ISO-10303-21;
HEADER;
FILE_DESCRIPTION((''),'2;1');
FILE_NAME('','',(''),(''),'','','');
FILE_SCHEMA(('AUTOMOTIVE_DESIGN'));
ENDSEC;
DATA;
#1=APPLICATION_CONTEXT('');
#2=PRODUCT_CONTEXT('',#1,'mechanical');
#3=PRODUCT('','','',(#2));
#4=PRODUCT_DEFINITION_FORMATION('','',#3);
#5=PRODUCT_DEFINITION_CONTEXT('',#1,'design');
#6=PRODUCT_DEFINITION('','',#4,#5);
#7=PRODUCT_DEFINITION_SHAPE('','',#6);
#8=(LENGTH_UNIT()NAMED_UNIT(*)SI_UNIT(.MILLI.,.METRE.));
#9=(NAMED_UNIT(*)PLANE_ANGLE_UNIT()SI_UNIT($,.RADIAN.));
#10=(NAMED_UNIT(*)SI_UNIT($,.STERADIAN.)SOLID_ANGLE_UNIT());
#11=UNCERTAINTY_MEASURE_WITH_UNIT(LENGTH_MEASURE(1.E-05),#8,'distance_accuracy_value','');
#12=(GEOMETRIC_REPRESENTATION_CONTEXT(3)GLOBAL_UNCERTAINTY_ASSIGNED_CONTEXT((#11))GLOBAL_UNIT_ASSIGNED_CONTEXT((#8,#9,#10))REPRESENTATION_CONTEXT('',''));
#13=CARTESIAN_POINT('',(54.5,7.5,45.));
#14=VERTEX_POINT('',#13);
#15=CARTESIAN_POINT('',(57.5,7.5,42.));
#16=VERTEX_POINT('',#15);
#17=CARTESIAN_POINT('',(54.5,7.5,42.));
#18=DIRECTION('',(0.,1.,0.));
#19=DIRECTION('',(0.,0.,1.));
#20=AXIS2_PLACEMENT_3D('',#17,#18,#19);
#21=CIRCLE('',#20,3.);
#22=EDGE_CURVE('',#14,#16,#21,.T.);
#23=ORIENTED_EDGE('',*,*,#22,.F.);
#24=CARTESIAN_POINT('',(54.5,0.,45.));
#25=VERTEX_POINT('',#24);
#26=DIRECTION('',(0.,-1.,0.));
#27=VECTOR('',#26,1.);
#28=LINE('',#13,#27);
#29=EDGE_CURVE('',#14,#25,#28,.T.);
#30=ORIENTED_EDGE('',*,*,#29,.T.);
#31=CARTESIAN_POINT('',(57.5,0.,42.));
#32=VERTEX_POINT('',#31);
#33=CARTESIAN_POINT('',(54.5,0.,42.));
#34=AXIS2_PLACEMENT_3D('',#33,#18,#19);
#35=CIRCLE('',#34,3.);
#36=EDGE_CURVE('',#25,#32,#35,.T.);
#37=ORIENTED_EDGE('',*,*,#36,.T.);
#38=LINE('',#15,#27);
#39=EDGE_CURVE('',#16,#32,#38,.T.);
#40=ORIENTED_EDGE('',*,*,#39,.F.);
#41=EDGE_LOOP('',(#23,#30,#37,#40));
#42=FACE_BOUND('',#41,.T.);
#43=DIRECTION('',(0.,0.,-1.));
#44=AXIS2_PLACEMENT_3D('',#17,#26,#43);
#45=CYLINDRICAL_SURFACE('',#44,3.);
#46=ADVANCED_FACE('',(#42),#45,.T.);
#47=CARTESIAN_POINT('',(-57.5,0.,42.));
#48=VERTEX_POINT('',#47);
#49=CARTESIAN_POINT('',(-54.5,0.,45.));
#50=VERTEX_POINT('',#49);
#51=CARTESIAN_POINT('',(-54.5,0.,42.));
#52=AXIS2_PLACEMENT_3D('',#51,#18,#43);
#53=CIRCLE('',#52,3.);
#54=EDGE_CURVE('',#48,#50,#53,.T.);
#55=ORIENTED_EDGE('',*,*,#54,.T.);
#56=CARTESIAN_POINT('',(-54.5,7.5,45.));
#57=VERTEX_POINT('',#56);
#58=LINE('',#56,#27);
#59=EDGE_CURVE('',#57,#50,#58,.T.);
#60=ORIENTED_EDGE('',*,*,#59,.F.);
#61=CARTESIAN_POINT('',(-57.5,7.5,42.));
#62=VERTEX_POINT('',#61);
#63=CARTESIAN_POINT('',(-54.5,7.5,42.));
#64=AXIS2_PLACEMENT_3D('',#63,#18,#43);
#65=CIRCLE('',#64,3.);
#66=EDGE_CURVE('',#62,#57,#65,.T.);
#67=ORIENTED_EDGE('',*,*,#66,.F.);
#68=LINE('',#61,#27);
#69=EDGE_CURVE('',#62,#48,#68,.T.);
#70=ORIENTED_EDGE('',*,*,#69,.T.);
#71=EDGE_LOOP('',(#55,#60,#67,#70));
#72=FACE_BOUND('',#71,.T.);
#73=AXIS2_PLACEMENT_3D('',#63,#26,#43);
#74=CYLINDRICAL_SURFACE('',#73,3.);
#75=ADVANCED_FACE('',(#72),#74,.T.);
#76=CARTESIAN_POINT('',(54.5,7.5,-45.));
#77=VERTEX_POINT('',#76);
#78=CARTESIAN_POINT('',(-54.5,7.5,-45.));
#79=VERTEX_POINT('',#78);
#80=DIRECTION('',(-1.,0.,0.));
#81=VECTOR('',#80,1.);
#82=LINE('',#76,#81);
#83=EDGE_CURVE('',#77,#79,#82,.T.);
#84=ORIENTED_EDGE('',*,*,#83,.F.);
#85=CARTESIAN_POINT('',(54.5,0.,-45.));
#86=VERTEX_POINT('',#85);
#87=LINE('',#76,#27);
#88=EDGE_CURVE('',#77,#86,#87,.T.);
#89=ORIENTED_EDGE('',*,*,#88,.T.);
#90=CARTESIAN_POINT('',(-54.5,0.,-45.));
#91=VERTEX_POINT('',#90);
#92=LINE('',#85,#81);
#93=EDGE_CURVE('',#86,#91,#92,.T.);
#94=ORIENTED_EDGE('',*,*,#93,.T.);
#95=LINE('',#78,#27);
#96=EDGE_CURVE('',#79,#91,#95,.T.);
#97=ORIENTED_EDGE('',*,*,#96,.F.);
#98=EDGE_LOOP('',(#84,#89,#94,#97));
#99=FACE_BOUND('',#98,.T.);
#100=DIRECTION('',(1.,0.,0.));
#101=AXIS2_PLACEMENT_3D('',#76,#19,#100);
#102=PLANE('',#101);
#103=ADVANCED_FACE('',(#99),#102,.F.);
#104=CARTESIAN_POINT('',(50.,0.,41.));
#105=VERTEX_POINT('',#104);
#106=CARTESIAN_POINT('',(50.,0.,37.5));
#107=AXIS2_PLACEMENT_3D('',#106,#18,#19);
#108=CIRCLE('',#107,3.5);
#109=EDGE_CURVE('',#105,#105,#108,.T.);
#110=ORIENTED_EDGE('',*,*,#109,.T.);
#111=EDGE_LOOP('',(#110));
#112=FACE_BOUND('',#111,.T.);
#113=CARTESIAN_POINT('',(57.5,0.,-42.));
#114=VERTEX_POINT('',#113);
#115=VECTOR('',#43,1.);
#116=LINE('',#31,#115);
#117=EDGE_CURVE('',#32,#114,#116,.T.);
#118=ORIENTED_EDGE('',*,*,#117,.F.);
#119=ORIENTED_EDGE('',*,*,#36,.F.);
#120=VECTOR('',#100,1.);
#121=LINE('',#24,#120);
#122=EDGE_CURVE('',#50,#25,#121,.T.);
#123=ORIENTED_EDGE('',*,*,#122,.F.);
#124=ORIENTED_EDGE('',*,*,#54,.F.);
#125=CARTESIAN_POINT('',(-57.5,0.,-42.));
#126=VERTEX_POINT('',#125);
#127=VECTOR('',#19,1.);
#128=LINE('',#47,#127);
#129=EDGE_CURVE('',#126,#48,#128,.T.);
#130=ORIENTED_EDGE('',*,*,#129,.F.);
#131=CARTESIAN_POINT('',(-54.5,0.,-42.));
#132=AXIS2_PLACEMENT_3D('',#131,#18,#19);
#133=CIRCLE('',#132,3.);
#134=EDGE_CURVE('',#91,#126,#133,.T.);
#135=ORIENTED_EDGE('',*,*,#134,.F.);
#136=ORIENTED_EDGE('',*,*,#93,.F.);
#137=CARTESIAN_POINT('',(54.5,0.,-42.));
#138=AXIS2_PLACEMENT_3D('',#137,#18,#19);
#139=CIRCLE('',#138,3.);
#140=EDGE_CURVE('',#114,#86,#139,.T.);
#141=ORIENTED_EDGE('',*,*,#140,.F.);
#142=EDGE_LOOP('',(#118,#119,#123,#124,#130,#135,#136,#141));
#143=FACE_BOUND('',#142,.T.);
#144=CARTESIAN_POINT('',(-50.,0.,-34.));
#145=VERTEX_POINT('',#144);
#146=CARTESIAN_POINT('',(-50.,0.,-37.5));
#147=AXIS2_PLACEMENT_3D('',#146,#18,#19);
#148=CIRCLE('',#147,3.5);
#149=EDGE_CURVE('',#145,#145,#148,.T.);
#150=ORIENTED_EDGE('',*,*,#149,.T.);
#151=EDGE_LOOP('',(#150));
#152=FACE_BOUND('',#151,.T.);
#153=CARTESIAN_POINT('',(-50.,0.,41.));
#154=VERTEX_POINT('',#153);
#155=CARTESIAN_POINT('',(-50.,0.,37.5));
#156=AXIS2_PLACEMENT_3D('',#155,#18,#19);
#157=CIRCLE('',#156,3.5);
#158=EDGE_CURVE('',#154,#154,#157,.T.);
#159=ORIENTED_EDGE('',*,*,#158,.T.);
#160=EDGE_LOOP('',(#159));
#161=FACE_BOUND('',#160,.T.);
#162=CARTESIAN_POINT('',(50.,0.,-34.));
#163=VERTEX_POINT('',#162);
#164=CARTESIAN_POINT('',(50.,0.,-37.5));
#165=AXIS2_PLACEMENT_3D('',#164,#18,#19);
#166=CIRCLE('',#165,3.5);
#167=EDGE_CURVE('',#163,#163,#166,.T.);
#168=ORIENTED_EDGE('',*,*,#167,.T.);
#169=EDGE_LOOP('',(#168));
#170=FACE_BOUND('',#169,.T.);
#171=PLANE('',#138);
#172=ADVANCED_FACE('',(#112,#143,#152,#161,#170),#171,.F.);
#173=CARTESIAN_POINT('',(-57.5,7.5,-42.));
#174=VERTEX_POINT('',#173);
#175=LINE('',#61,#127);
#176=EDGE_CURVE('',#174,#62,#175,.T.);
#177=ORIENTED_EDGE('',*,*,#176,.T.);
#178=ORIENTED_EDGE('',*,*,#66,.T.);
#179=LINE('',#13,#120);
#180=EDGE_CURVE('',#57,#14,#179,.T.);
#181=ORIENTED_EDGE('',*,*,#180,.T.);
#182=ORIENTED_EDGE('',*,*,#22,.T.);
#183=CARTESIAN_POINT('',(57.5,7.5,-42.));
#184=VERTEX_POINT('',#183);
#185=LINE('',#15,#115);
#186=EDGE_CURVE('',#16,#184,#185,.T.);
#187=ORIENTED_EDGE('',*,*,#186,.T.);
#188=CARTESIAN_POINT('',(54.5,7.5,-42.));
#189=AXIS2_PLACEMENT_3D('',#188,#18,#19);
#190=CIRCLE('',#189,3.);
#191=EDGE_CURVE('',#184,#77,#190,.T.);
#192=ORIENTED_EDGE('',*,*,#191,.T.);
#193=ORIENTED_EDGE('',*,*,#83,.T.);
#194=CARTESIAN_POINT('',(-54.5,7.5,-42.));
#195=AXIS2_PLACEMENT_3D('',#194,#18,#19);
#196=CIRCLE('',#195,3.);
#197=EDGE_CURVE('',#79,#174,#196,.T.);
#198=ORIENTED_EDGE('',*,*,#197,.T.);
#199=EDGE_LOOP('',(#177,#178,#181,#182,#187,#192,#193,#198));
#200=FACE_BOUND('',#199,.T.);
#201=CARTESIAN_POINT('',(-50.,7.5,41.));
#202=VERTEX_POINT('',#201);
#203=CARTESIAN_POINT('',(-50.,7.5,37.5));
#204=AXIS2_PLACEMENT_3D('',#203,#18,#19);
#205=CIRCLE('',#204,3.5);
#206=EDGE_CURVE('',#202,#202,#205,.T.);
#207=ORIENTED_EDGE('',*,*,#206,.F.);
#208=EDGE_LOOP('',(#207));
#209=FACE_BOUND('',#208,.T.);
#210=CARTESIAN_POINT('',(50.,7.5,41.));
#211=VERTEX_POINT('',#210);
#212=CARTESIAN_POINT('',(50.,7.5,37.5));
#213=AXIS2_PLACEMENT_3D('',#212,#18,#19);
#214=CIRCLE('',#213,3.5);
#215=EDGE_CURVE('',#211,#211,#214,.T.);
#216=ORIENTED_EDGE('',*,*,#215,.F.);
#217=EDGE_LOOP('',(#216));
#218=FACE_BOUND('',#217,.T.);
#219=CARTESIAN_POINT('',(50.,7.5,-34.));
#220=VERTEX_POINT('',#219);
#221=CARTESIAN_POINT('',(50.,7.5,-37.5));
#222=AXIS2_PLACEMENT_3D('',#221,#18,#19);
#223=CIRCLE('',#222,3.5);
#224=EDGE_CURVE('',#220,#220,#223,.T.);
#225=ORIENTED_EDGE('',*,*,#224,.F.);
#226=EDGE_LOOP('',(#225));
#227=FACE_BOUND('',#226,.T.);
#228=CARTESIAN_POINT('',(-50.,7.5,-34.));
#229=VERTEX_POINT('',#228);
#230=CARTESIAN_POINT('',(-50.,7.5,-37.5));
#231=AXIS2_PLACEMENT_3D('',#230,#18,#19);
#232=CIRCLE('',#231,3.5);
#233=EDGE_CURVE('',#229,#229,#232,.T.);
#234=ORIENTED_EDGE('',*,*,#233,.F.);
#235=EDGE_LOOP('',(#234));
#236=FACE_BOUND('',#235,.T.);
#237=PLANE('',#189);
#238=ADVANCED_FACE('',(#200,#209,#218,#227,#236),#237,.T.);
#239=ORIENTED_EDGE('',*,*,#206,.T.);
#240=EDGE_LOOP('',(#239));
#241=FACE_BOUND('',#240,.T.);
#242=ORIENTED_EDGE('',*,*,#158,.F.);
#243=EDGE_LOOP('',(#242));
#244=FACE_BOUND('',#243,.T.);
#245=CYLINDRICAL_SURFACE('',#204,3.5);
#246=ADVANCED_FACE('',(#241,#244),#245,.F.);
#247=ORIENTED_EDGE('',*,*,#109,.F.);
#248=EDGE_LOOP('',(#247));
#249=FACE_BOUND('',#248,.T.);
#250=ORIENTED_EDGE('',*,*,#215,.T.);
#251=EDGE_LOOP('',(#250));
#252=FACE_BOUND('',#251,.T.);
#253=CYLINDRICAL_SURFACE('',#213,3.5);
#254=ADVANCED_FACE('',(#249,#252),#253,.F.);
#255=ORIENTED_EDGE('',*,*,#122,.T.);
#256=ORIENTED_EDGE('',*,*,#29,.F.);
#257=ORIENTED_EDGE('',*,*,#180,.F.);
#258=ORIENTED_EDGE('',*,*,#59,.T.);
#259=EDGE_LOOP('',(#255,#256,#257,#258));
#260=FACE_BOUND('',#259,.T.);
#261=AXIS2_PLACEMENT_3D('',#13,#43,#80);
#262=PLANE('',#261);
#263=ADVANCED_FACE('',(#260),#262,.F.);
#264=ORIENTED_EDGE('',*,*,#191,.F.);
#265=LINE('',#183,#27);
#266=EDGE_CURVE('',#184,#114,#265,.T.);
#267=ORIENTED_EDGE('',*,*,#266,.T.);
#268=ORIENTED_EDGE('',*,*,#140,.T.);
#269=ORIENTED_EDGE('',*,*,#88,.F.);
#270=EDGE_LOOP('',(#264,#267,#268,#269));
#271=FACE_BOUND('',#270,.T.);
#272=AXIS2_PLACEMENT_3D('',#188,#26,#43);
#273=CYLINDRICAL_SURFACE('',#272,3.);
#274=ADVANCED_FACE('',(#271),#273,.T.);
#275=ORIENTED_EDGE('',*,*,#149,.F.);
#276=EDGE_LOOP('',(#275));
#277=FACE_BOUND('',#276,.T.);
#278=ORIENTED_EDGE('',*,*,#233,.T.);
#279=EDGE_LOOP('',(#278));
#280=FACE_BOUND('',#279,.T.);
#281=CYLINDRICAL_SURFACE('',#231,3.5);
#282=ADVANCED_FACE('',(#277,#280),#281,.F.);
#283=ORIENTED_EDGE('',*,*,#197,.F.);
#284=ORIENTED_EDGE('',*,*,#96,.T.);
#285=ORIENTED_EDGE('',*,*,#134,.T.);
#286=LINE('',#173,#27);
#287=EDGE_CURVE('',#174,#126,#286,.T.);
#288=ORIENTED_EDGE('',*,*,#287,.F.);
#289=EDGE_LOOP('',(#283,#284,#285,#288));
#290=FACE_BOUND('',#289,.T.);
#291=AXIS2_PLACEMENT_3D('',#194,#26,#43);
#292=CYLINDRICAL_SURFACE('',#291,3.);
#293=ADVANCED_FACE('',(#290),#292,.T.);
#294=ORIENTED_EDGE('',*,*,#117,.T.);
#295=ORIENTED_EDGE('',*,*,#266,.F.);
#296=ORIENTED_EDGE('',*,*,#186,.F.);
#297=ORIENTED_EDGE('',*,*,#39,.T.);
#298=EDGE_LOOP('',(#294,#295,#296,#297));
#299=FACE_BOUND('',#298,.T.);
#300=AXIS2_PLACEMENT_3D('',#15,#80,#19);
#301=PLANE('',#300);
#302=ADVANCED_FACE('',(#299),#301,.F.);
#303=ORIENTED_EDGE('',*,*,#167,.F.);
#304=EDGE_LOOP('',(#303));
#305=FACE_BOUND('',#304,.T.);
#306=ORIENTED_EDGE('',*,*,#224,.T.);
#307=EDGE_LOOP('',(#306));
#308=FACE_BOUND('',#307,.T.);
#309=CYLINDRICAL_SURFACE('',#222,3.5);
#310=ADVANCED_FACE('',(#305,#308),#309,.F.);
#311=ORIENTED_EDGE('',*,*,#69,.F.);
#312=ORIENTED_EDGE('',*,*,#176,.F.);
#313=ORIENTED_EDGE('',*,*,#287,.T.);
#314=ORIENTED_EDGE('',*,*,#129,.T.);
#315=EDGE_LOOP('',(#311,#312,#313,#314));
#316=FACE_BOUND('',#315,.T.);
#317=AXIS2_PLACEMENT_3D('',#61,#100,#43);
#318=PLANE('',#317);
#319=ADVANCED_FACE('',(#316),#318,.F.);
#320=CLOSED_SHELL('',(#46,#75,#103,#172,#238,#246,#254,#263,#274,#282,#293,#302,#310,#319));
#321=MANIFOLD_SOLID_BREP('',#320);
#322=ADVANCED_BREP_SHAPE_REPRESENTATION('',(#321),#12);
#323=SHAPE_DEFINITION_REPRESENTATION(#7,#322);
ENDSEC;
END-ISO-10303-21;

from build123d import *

# Parameters (mm, degrees)
BOSS_EXTRUDE1_DEPTH  = 7.5
M6_CLEARANCE_HOLE1_D = 7


with BuildPart() as part:
    # Sketch1 → Boss-Extrude1 (new body)
    with BuildSketch(Plane(origin=(0, 0, 0), x_dir=(1, 0, 0), z_dir=(0, 1, 0))):
        with BuildLine():
            Line((54.5, -45), (-54.5, -45))
            ThreePointArc((-54.5, -45), (-56.621320344, -44.121320344), (-57.5, -42))
            Line((-57.5, -42), (-57.5, 42))
            ThreePointArc((-57.5, 42), (-56.621320344, 44.121320344), (-54.5, 45))
            Line((-54.5, 45), (54.5, 45))
            ThreePointArc((54.5, 45), (56.621320344, 44.121320344), (57.5, 42))
            Line((57.5, 42), (57.5, -42))
            ThreePointArc((57.5, -42), (56.621320344, -44.121320344), (54.5, -45))
        make_face()
    extrude(amount=BOSS_EXTRUDE1_DEPTH)

    # M6 Clearance Hole1 (through all)
    with Locations(Plane(origin=(0, 7.5, 0), x_dir=(1, 0, 0), z_dir=(0, 1, 0))):
        with Locations((-50, 37.5), (50, 37.5), (50, -37.5), (-50, -37.5)):
            Hole(M6_CLEARANCE_HOLE1_D / 2)


solid = part.part
